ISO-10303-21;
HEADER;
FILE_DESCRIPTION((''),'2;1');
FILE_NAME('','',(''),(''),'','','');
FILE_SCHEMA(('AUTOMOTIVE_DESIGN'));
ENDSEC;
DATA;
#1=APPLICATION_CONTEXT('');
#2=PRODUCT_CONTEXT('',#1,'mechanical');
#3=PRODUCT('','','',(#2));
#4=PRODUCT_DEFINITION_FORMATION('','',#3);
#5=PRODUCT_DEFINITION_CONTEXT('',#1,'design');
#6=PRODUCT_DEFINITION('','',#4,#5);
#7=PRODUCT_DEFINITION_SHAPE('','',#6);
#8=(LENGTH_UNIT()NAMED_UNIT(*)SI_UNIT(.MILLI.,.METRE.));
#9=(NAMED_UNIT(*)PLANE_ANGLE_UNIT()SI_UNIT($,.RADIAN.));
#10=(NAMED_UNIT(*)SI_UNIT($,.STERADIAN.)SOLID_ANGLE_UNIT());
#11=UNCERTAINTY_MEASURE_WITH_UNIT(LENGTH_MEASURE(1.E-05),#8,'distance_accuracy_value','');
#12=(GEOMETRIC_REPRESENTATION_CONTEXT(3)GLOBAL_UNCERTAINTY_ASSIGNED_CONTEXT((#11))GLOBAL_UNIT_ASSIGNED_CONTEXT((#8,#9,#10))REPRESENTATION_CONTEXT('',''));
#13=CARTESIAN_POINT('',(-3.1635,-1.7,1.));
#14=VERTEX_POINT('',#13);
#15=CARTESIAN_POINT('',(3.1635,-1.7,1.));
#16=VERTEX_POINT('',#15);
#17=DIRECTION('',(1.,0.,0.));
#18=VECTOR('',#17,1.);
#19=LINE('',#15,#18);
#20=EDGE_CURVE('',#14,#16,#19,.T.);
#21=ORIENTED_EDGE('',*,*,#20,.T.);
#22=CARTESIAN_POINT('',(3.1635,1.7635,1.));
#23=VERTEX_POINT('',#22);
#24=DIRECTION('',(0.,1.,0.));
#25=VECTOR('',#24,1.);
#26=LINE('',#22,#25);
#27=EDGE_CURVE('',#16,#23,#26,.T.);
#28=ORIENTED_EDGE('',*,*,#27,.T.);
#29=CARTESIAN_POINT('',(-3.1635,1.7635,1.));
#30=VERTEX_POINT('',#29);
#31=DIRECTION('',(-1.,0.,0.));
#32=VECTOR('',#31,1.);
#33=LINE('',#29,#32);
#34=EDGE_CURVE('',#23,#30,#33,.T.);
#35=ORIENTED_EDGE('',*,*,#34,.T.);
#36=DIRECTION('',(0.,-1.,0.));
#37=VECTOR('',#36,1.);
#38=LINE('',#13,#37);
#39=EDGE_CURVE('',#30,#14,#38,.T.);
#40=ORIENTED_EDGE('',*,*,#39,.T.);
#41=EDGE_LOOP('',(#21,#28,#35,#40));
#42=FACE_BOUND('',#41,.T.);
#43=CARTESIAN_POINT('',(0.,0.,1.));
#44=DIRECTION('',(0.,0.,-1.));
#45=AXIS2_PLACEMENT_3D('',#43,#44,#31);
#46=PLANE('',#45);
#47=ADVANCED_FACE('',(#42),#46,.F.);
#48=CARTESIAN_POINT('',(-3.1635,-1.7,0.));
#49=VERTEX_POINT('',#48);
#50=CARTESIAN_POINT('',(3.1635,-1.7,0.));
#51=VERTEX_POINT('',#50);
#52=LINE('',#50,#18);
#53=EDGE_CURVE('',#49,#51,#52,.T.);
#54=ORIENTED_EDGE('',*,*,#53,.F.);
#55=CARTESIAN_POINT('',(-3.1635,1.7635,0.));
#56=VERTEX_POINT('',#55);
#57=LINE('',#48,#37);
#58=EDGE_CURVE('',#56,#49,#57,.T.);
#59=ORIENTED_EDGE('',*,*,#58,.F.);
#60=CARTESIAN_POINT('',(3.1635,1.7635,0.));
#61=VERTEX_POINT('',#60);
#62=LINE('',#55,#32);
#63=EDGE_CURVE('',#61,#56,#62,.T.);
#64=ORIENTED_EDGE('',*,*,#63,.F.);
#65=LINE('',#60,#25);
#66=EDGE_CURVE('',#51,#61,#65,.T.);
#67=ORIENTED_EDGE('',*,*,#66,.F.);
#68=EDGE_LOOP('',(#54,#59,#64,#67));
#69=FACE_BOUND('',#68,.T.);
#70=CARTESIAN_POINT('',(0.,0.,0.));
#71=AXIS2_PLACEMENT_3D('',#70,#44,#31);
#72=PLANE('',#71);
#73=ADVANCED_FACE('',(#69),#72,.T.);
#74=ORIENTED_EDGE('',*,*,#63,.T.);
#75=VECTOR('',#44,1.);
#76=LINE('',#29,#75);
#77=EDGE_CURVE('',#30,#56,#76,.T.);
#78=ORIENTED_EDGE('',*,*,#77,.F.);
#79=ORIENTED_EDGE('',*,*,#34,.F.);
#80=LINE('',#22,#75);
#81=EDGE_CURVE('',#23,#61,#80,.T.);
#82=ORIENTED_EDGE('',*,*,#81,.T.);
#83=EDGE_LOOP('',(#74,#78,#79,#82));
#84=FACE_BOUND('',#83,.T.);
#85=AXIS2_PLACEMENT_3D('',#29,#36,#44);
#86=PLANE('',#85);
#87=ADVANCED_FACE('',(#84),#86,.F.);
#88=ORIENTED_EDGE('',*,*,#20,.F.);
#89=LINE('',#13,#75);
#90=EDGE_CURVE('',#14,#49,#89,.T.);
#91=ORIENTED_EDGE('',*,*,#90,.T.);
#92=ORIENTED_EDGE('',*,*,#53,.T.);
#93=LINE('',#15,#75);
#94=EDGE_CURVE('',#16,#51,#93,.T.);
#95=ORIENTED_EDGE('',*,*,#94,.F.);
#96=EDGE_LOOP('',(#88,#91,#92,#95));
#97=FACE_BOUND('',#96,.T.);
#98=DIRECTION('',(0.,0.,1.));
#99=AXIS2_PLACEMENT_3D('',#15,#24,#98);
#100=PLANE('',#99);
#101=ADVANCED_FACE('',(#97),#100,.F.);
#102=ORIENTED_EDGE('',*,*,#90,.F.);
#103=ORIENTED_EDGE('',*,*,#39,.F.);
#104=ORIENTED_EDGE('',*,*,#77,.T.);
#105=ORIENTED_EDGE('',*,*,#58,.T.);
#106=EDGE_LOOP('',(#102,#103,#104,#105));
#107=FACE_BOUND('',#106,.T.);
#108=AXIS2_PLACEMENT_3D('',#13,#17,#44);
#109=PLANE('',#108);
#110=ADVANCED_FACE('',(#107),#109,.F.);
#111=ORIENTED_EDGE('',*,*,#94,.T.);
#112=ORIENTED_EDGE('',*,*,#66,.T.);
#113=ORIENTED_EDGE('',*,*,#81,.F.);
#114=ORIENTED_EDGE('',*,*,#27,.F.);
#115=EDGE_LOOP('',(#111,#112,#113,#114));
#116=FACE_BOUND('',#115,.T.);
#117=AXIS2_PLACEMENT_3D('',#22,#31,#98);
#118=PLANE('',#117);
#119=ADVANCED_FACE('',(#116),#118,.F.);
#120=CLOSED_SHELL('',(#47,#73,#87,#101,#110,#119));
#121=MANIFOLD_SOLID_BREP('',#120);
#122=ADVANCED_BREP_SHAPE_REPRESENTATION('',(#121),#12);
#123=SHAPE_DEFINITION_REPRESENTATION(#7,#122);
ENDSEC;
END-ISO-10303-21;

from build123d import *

# Parameters (mm, degrees)
SKETCH1_W               = 6.327
SKETCH1_H               = 3.4635
COMPONENT_OUTLINE_DEPTH = 1


with BuildPart() as part:
    # Sketch1 → Component_Outline (new body)
    with BuildSketch(Plane.XY):
        with Locations((0, 0.03175)):
            Rectangle(SKETCH1_W, SKETCH1_H)
    extrude(amount=COMPONENT_OUTLINE_DEPTH)


solid = part.part
